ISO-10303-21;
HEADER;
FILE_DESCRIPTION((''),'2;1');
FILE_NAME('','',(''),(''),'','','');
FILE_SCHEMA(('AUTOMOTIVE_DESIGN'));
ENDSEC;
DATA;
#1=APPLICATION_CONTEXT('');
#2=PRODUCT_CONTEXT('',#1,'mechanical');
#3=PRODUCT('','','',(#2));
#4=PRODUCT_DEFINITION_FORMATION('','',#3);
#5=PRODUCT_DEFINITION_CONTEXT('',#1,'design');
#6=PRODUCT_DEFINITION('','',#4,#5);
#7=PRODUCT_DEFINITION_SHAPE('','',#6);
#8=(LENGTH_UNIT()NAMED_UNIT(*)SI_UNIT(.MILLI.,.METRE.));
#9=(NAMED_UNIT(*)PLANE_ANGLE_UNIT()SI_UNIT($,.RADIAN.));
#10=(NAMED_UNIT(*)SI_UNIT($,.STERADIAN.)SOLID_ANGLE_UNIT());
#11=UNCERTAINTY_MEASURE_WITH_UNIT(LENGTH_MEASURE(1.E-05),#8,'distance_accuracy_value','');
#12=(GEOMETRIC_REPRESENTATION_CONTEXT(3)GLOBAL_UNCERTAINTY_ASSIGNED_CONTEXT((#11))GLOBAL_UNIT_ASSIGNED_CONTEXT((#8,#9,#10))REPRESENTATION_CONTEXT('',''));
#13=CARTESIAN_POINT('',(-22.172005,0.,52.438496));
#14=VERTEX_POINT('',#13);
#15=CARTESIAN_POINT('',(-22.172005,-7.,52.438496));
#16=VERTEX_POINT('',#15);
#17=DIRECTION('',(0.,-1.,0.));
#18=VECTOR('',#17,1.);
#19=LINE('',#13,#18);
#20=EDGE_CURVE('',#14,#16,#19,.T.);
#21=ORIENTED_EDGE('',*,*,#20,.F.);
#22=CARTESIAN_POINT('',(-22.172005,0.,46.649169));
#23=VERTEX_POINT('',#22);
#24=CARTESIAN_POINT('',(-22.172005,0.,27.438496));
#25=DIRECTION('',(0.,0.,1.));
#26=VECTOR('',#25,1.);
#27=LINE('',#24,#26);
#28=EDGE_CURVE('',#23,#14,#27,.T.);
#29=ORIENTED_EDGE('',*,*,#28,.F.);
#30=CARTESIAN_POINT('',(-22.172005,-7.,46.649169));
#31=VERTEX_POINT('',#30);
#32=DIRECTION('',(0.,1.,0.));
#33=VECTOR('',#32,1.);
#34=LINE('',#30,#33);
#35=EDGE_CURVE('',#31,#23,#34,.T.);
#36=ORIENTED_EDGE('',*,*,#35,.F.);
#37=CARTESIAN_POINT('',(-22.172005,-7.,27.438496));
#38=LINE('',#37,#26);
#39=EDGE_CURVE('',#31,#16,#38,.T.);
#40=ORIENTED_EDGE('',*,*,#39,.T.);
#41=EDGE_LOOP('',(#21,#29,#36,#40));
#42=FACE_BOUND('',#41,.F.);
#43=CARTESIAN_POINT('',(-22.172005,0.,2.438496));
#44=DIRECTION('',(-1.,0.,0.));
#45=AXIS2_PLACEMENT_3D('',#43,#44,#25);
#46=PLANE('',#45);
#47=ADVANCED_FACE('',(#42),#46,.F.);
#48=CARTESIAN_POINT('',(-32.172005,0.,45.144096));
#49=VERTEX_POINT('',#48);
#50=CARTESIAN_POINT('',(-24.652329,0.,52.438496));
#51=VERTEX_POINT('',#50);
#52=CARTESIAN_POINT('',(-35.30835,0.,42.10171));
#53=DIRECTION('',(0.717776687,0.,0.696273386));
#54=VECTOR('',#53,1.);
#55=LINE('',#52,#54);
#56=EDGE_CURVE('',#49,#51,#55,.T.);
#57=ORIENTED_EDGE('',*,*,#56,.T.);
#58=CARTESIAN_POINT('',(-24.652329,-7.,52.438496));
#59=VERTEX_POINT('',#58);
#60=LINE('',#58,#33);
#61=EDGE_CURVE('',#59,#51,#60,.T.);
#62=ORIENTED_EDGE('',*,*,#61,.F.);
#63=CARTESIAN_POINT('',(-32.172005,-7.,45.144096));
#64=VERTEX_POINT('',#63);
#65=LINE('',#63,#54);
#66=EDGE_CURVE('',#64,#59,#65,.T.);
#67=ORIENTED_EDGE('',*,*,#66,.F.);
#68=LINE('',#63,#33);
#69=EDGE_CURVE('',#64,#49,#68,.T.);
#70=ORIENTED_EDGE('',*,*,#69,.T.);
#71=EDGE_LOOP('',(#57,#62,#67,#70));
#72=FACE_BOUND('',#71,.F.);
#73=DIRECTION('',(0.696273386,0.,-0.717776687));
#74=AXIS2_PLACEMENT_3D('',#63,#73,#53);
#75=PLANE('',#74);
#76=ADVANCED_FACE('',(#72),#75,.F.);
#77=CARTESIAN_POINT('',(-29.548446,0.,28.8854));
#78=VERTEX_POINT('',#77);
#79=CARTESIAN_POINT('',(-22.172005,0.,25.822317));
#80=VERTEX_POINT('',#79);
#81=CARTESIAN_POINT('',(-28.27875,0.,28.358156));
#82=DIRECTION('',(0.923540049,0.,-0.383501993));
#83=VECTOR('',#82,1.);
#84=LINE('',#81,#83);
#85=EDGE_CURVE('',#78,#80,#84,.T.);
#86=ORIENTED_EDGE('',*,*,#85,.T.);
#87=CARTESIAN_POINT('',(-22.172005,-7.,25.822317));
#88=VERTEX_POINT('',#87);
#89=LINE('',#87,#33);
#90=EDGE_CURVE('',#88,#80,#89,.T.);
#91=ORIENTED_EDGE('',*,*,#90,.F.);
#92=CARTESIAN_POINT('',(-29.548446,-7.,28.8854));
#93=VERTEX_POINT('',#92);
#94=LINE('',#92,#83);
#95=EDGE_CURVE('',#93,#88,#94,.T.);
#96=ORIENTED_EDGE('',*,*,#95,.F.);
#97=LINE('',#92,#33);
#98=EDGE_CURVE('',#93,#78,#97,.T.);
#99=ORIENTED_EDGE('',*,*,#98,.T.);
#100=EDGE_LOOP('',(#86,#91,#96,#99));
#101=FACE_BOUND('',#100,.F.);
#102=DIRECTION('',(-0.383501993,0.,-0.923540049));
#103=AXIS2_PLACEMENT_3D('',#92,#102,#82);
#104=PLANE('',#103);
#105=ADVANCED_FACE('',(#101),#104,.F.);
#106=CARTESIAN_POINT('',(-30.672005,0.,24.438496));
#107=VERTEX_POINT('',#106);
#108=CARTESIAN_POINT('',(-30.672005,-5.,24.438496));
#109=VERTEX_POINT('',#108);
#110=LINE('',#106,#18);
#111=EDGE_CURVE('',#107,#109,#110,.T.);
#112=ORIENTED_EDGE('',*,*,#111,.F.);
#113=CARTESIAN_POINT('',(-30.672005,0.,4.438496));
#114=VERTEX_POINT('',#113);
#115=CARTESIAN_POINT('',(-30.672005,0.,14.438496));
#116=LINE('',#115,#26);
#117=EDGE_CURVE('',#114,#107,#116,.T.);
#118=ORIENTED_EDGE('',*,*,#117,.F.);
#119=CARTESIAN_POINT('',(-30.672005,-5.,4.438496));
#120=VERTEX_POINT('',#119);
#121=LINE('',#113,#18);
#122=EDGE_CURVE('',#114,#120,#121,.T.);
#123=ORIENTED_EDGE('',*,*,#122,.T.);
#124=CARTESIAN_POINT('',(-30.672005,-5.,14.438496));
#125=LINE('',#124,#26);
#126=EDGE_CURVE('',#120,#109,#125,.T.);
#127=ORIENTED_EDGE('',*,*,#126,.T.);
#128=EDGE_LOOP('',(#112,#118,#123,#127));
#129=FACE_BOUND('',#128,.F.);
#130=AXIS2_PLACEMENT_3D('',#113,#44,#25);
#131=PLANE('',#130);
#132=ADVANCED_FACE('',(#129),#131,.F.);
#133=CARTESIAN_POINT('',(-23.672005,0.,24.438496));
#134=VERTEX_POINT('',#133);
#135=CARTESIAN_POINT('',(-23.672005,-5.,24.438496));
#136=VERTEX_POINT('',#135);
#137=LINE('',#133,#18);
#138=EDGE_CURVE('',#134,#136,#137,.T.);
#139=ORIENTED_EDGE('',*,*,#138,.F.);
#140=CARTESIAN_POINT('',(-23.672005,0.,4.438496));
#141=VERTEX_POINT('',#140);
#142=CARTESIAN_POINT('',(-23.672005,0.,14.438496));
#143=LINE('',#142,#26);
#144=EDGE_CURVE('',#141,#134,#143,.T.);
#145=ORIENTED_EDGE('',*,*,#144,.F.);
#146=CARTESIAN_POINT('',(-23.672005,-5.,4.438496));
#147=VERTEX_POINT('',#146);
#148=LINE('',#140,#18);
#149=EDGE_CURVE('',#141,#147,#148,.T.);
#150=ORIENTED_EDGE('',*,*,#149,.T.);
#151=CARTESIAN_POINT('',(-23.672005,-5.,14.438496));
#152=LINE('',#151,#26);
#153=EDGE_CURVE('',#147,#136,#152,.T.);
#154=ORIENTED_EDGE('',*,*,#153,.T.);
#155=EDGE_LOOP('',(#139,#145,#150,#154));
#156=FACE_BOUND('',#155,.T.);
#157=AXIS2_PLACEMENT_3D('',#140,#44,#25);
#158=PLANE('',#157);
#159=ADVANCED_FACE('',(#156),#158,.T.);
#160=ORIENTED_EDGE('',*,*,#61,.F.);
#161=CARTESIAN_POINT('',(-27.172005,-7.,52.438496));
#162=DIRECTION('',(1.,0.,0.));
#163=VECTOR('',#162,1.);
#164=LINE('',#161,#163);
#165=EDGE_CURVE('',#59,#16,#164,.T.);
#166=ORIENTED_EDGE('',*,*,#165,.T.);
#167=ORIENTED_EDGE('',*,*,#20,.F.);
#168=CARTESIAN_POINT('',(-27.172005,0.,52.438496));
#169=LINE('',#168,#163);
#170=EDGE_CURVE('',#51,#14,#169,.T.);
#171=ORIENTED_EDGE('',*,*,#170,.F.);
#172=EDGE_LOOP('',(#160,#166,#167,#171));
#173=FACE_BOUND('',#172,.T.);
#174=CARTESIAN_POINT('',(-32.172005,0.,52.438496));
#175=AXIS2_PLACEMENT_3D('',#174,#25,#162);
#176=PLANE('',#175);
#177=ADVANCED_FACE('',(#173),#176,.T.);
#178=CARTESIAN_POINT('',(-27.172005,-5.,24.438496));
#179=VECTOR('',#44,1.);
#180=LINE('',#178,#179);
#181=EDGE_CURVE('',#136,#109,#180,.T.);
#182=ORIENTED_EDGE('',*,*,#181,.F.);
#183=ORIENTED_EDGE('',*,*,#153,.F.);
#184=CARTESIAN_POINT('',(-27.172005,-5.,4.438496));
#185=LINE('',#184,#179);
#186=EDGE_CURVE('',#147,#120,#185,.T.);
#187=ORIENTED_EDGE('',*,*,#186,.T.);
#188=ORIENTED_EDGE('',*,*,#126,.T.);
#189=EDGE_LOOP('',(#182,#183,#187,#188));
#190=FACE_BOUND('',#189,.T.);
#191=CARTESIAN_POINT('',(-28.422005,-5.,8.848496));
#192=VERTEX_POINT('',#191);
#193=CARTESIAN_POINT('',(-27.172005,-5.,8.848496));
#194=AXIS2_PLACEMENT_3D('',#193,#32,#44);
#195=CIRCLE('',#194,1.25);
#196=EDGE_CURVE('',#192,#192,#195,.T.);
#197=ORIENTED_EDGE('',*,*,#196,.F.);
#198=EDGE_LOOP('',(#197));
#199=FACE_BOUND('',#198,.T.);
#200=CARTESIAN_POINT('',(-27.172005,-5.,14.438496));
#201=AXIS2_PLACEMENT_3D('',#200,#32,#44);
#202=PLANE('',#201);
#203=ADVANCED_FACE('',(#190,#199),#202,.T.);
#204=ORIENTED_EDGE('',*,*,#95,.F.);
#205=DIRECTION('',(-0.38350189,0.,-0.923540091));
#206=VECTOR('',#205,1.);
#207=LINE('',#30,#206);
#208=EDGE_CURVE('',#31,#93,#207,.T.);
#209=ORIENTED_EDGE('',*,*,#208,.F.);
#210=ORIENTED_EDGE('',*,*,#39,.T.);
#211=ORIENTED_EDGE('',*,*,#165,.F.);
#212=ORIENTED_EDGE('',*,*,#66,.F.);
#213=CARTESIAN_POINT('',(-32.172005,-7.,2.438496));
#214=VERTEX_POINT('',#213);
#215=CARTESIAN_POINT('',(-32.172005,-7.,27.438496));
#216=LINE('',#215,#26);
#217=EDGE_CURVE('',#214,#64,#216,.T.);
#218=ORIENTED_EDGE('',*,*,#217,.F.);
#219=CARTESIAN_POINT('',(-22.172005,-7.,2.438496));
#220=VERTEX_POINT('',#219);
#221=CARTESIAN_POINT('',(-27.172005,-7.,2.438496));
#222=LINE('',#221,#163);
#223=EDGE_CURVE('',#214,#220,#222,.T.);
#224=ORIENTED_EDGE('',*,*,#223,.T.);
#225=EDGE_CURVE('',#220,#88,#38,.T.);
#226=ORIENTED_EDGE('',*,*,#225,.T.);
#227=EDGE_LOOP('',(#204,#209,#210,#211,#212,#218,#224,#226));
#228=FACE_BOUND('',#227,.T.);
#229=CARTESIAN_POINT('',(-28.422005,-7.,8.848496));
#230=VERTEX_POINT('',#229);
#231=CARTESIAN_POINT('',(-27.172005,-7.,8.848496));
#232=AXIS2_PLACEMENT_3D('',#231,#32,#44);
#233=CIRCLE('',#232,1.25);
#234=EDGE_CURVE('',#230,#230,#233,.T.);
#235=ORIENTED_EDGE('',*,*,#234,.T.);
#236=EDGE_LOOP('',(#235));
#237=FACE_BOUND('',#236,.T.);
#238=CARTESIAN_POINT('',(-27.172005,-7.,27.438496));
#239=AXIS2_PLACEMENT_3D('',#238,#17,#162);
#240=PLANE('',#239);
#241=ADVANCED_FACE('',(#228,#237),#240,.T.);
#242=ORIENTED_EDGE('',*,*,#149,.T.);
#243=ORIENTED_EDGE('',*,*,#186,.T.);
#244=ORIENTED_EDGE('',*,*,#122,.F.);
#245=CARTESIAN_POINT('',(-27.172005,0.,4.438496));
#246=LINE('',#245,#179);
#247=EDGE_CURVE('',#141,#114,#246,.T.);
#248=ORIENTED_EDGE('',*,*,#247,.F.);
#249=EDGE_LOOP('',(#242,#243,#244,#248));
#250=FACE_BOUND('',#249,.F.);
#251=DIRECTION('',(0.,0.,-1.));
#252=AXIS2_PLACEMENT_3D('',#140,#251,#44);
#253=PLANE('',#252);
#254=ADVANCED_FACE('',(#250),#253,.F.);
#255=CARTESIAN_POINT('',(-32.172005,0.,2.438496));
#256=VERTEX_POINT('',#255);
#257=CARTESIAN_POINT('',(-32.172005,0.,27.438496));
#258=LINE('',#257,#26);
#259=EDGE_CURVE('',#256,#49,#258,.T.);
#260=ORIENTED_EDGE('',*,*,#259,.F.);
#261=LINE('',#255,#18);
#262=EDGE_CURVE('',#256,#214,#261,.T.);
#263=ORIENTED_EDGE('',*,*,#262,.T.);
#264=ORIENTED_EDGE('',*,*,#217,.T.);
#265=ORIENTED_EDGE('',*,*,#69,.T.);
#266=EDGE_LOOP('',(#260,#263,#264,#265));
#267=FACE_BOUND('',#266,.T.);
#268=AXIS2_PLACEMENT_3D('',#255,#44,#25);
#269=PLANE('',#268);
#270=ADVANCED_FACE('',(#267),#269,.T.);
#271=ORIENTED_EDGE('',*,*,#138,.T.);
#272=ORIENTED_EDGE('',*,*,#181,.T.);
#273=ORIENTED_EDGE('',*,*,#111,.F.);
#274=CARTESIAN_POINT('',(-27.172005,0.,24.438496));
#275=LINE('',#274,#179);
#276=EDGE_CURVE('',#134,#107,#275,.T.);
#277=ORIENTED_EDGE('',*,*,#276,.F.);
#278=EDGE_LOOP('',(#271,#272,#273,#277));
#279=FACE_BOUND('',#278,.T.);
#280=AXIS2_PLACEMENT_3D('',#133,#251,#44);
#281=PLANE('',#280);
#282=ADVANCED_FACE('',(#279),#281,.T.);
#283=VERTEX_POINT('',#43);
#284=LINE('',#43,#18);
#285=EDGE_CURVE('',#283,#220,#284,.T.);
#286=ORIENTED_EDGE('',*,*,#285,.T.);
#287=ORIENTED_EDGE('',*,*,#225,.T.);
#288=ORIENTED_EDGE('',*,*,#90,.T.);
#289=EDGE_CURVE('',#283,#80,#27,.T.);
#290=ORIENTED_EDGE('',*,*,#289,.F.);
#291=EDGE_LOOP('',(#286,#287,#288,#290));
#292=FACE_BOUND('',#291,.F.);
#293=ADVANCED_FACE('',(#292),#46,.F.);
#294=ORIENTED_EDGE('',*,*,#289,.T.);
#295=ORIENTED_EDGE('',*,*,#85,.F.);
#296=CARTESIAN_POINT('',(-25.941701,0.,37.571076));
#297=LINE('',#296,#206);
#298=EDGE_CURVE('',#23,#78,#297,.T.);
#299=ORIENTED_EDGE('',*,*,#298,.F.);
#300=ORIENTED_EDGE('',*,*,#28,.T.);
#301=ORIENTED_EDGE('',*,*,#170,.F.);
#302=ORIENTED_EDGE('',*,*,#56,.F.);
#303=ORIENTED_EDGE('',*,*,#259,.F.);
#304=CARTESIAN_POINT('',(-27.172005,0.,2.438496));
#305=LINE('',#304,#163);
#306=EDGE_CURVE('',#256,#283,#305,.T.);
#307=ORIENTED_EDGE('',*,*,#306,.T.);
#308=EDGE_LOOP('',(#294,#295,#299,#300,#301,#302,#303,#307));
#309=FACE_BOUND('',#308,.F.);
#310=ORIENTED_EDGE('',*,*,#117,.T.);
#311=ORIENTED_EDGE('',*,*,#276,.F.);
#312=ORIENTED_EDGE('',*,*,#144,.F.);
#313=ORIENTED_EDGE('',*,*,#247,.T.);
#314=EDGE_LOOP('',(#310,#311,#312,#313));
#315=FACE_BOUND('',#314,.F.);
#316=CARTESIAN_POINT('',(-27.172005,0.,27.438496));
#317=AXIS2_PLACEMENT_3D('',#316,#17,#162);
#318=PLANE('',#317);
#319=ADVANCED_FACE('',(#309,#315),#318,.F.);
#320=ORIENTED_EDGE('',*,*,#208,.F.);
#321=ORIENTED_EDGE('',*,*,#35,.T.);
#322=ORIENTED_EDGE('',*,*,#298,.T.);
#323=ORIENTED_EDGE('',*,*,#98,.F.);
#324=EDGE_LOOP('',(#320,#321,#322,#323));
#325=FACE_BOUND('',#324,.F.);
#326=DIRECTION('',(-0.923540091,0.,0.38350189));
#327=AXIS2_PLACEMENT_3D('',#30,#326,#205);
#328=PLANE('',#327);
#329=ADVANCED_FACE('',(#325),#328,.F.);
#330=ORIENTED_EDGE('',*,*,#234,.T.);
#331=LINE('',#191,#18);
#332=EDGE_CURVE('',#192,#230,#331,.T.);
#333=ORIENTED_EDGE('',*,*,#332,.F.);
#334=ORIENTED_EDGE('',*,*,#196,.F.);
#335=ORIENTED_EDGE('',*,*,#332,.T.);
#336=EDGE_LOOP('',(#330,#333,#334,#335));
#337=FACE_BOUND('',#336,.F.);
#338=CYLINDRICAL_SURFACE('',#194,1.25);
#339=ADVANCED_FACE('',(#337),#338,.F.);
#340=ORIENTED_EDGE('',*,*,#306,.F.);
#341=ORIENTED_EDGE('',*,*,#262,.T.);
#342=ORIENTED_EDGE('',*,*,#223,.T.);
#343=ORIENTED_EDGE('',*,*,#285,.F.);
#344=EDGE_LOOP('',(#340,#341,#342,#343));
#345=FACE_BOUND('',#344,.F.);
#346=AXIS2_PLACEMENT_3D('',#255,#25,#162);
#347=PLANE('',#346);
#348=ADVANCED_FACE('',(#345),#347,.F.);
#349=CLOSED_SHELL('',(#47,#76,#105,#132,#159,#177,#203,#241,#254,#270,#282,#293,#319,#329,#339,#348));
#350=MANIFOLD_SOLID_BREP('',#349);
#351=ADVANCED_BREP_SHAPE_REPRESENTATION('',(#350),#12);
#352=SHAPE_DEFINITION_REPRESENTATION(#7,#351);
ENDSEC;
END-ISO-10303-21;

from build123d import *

# Parameters (mm, degrees)
F0_W     = 10
F0_H     = 50
F1_DEPTH = 7
F2_W     = 7
F2_H     = 20
F3_DEPTH = 5
F4_R     = 1.25
F5_DEPTH = 2.001
F7_DEPTH = 7.001


with BuildPart() as f1:
    # F0 (on Front) → F1 (new body)
    with BuildSketch(Plane.XZ):
        with Locations((-27.172005, 27.438496)):
            Rectangle(F0_W, F0_H)
    extrude(amount=F1_DEPTH)

    # F2 (on face) → F3 (cut)
    with BuildSketch(Plane(origin=(0, 0, 0), x_dir=(-1, 0, 0), z_dir=(0, 1, 0))):
        with Locations((27.172005, 14.438496)):
            Rectangle(F2_W, F2_H)
    extrude(amount=-F3_DEPTH, mode=Mode.SUBTRACT)

    # F4 (on face) → F5 (cut, through all)
    with BuildSketch(Plane(origin=(0, -5, 0), x_dir=(-1, 0, 0), z_dir=(0, 1, 0))):
        with Locations((27.172005, 8.848496)):
            Circle(F4_R)
    extrude(amount=-F5_DEPTH, mode=Mode.SUBTRACT)

    # F6 (on face) → F7 (cut, through all)
    with BuildSketch(Plane.XZ.offset(7)):
        Polygon((-32.172005, 52.438496), (-32.172005, 45.144096), (-24.652329, 52.438496), align=None)
        Polygon((-29.548446, 28.8854), (-22.172005, 25.822317), (-22.172005, 46.649169), align=None)
    extrude(amount=-F7_DEPTH, mode=Mode.SUBTRACT)


solid = f1.part
